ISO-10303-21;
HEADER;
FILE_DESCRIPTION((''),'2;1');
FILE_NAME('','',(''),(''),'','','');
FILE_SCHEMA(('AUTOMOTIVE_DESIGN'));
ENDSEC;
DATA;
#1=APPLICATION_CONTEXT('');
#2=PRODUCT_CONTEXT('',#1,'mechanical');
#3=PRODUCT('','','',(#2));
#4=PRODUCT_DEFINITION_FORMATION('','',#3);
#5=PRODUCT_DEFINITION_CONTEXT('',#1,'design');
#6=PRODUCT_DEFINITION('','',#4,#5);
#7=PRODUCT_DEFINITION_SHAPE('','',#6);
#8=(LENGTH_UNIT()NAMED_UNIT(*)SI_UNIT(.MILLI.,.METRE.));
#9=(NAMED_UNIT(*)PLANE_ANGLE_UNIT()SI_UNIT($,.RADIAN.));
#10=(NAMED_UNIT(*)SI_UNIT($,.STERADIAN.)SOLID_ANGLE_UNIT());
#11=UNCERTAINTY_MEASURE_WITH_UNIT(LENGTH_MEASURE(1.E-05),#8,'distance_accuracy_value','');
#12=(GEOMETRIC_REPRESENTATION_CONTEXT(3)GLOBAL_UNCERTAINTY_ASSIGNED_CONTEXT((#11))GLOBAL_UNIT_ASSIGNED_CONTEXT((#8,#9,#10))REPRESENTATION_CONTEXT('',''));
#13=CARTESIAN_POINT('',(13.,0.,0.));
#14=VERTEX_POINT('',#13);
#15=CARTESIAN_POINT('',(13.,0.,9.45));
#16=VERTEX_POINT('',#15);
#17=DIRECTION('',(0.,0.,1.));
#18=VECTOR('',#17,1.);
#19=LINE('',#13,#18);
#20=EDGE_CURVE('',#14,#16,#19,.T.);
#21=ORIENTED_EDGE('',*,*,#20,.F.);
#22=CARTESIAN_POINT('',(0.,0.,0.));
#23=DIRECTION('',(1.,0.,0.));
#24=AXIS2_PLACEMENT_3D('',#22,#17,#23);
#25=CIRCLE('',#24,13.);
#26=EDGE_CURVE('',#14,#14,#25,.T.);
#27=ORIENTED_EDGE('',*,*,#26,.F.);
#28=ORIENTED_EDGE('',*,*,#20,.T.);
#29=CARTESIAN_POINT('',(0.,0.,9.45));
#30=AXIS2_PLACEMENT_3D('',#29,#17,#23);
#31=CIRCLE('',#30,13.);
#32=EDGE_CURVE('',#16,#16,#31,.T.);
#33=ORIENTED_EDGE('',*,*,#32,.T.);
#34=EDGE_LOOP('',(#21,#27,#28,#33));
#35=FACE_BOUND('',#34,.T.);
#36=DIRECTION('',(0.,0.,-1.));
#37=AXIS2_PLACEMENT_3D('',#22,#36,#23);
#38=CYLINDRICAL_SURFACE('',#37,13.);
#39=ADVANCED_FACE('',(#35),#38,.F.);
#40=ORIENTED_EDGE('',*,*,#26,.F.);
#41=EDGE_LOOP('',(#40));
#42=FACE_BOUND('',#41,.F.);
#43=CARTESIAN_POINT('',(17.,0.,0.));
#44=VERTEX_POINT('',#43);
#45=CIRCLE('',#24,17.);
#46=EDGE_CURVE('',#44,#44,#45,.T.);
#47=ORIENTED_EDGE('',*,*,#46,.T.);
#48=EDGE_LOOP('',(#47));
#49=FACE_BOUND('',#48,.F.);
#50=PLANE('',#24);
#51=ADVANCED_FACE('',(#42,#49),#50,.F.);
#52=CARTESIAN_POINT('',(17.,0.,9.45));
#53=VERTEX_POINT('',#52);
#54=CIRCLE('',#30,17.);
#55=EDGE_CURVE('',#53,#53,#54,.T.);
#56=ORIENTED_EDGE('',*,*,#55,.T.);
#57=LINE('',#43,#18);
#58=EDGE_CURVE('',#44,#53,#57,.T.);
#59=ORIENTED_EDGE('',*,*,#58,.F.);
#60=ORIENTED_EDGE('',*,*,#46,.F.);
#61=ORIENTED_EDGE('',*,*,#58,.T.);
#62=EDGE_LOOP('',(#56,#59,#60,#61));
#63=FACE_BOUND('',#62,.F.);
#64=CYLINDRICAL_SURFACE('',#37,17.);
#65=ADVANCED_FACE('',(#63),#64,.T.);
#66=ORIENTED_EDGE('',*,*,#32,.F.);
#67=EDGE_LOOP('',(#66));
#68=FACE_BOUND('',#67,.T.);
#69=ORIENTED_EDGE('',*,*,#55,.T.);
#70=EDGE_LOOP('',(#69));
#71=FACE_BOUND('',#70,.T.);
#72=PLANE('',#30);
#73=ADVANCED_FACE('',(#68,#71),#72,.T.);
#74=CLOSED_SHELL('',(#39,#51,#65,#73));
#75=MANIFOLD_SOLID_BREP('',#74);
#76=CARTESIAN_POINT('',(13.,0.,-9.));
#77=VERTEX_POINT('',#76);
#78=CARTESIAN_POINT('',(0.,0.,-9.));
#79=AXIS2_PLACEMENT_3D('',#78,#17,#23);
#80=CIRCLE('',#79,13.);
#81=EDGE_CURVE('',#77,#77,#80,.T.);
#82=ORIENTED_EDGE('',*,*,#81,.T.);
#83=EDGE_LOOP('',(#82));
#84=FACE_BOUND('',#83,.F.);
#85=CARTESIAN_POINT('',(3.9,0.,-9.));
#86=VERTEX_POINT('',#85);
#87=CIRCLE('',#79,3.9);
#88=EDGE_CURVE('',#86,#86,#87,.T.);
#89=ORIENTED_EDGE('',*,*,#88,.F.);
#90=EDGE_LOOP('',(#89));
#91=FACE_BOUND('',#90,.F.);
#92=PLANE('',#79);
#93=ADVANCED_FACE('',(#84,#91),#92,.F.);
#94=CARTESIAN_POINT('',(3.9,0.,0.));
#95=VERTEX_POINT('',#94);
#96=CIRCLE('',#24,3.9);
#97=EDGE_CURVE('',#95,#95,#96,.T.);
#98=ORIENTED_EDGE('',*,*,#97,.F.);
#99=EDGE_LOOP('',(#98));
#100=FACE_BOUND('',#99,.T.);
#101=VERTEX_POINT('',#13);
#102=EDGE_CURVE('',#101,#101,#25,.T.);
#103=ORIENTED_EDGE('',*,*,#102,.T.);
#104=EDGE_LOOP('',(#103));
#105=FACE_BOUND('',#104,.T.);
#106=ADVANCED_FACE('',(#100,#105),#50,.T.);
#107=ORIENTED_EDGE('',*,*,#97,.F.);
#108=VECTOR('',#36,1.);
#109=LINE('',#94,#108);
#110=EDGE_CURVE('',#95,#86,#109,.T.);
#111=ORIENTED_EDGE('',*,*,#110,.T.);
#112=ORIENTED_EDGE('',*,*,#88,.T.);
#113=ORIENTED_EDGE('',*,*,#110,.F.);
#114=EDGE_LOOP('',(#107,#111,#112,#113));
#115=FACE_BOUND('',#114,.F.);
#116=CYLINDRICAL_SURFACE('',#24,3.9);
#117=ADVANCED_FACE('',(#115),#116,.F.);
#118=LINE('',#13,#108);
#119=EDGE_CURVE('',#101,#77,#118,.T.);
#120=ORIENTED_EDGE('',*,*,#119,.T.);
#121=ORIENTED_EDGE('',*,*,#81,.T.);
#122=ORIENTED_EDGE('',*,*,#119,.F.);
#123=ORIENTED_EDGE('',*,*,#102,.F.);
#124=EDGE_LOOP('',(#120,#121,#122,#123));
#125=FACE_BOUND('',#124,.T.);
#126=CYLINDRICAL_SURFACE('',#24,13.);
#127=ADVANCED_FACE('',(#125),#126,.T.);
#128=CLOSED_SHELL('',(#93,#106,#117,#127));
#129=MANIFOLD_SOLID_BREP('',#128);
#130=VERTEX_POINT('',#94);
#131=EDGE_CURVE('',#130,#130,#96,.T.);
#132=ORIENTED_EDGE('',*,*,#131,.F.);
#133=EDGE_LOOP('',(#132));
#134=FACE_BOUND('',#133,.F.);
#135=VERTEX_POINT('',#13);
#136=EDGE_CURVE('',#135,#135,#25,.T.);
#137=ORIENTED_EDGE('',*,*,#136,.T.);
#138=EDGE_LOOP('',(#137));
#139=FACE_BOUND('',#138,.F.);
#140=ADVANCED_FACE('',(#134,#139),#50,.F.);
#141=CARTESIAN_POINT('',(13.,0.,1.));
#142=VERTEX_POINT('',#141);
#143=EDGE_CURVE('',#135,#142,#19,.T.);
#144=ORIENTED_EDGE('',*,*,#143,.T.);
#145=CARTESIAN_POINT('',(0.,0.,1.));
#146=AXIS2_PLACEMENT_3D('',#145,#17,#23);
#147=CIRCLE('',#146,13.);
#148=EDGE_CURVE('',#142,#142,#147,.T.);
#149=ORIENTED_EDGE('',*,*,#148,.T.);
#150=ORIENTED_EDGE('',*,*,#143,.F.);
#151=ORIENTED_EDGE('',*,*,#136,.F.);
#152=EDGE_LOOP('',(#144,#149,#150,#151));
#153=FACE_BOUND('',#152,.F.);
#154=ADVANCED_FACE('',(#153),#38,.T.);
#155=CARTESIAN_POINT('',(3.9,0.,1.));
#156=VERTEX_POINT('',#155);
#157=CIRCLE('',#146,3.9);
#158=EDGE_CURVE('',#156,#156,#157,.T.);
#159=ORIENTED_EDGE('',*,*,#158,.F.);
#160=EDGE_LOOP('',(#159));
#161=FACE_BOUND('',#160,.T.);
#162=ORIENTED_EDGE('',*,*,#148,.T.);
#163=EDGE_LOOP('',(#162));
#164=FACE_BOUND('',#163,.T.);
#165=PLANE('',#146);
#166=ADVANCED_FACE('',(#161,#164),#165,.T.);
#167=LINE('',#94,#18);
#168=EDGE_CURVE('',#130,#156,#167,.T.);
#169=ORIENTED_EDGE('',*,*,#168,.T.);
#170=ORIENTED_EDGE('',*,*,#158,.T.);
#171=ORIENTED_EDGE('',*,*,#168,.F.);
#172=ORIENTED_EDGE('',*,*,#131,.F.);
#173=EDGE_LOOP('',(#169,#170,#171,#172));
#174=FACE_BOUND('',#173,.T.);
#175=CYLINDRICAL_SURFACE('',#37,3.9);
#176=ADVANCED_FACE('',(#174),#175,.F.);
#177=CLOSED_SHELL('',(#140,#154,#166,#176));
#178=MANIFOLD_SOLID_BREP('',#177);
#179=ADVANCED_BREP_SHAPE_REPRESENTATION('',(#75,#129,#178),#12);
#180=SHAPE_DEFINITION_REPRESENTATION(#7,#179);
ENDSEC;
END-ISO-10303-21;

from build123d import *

# Parameters (mm, degrees)
F0_R     = 13
F0_R_2   = 3.9
F1_DEPTH = 9
F0_R_3   = 17
F2_DEPTH = 9.45
F3_DEPTH = 1


with BuildPart() as f1:
    # F0 (on Top) → F1 (new body)
    with BuildSketch(Plane.XY):
        Circle(F0_R)
        Circle(F0_R_2, mode=Mode.SUBTRACT)
    extrude(amount=-F1_DEPTH)


with BuildPart() as f2:
    # F0 (on Top) → F2 (new body)
    with BuildSketch(Plane.XY):
        Circle(F0_R_3)
        Circle(F0_R, mode=Mode.SUBTRACT)
    extrude(amount=F2_DEPTH)


with BuildPart() as f3:
    # F0 (on Top) → F3 (new body)
    with BuildSketch(Plane.XY):
        Circle(F0_R)
        Circle(F0_R_2, mode=Mode.SUBTRACT)
    extrude(amount=F3_DEPTH)


solid = Compound([f1.part, f2.part, f3.part])
